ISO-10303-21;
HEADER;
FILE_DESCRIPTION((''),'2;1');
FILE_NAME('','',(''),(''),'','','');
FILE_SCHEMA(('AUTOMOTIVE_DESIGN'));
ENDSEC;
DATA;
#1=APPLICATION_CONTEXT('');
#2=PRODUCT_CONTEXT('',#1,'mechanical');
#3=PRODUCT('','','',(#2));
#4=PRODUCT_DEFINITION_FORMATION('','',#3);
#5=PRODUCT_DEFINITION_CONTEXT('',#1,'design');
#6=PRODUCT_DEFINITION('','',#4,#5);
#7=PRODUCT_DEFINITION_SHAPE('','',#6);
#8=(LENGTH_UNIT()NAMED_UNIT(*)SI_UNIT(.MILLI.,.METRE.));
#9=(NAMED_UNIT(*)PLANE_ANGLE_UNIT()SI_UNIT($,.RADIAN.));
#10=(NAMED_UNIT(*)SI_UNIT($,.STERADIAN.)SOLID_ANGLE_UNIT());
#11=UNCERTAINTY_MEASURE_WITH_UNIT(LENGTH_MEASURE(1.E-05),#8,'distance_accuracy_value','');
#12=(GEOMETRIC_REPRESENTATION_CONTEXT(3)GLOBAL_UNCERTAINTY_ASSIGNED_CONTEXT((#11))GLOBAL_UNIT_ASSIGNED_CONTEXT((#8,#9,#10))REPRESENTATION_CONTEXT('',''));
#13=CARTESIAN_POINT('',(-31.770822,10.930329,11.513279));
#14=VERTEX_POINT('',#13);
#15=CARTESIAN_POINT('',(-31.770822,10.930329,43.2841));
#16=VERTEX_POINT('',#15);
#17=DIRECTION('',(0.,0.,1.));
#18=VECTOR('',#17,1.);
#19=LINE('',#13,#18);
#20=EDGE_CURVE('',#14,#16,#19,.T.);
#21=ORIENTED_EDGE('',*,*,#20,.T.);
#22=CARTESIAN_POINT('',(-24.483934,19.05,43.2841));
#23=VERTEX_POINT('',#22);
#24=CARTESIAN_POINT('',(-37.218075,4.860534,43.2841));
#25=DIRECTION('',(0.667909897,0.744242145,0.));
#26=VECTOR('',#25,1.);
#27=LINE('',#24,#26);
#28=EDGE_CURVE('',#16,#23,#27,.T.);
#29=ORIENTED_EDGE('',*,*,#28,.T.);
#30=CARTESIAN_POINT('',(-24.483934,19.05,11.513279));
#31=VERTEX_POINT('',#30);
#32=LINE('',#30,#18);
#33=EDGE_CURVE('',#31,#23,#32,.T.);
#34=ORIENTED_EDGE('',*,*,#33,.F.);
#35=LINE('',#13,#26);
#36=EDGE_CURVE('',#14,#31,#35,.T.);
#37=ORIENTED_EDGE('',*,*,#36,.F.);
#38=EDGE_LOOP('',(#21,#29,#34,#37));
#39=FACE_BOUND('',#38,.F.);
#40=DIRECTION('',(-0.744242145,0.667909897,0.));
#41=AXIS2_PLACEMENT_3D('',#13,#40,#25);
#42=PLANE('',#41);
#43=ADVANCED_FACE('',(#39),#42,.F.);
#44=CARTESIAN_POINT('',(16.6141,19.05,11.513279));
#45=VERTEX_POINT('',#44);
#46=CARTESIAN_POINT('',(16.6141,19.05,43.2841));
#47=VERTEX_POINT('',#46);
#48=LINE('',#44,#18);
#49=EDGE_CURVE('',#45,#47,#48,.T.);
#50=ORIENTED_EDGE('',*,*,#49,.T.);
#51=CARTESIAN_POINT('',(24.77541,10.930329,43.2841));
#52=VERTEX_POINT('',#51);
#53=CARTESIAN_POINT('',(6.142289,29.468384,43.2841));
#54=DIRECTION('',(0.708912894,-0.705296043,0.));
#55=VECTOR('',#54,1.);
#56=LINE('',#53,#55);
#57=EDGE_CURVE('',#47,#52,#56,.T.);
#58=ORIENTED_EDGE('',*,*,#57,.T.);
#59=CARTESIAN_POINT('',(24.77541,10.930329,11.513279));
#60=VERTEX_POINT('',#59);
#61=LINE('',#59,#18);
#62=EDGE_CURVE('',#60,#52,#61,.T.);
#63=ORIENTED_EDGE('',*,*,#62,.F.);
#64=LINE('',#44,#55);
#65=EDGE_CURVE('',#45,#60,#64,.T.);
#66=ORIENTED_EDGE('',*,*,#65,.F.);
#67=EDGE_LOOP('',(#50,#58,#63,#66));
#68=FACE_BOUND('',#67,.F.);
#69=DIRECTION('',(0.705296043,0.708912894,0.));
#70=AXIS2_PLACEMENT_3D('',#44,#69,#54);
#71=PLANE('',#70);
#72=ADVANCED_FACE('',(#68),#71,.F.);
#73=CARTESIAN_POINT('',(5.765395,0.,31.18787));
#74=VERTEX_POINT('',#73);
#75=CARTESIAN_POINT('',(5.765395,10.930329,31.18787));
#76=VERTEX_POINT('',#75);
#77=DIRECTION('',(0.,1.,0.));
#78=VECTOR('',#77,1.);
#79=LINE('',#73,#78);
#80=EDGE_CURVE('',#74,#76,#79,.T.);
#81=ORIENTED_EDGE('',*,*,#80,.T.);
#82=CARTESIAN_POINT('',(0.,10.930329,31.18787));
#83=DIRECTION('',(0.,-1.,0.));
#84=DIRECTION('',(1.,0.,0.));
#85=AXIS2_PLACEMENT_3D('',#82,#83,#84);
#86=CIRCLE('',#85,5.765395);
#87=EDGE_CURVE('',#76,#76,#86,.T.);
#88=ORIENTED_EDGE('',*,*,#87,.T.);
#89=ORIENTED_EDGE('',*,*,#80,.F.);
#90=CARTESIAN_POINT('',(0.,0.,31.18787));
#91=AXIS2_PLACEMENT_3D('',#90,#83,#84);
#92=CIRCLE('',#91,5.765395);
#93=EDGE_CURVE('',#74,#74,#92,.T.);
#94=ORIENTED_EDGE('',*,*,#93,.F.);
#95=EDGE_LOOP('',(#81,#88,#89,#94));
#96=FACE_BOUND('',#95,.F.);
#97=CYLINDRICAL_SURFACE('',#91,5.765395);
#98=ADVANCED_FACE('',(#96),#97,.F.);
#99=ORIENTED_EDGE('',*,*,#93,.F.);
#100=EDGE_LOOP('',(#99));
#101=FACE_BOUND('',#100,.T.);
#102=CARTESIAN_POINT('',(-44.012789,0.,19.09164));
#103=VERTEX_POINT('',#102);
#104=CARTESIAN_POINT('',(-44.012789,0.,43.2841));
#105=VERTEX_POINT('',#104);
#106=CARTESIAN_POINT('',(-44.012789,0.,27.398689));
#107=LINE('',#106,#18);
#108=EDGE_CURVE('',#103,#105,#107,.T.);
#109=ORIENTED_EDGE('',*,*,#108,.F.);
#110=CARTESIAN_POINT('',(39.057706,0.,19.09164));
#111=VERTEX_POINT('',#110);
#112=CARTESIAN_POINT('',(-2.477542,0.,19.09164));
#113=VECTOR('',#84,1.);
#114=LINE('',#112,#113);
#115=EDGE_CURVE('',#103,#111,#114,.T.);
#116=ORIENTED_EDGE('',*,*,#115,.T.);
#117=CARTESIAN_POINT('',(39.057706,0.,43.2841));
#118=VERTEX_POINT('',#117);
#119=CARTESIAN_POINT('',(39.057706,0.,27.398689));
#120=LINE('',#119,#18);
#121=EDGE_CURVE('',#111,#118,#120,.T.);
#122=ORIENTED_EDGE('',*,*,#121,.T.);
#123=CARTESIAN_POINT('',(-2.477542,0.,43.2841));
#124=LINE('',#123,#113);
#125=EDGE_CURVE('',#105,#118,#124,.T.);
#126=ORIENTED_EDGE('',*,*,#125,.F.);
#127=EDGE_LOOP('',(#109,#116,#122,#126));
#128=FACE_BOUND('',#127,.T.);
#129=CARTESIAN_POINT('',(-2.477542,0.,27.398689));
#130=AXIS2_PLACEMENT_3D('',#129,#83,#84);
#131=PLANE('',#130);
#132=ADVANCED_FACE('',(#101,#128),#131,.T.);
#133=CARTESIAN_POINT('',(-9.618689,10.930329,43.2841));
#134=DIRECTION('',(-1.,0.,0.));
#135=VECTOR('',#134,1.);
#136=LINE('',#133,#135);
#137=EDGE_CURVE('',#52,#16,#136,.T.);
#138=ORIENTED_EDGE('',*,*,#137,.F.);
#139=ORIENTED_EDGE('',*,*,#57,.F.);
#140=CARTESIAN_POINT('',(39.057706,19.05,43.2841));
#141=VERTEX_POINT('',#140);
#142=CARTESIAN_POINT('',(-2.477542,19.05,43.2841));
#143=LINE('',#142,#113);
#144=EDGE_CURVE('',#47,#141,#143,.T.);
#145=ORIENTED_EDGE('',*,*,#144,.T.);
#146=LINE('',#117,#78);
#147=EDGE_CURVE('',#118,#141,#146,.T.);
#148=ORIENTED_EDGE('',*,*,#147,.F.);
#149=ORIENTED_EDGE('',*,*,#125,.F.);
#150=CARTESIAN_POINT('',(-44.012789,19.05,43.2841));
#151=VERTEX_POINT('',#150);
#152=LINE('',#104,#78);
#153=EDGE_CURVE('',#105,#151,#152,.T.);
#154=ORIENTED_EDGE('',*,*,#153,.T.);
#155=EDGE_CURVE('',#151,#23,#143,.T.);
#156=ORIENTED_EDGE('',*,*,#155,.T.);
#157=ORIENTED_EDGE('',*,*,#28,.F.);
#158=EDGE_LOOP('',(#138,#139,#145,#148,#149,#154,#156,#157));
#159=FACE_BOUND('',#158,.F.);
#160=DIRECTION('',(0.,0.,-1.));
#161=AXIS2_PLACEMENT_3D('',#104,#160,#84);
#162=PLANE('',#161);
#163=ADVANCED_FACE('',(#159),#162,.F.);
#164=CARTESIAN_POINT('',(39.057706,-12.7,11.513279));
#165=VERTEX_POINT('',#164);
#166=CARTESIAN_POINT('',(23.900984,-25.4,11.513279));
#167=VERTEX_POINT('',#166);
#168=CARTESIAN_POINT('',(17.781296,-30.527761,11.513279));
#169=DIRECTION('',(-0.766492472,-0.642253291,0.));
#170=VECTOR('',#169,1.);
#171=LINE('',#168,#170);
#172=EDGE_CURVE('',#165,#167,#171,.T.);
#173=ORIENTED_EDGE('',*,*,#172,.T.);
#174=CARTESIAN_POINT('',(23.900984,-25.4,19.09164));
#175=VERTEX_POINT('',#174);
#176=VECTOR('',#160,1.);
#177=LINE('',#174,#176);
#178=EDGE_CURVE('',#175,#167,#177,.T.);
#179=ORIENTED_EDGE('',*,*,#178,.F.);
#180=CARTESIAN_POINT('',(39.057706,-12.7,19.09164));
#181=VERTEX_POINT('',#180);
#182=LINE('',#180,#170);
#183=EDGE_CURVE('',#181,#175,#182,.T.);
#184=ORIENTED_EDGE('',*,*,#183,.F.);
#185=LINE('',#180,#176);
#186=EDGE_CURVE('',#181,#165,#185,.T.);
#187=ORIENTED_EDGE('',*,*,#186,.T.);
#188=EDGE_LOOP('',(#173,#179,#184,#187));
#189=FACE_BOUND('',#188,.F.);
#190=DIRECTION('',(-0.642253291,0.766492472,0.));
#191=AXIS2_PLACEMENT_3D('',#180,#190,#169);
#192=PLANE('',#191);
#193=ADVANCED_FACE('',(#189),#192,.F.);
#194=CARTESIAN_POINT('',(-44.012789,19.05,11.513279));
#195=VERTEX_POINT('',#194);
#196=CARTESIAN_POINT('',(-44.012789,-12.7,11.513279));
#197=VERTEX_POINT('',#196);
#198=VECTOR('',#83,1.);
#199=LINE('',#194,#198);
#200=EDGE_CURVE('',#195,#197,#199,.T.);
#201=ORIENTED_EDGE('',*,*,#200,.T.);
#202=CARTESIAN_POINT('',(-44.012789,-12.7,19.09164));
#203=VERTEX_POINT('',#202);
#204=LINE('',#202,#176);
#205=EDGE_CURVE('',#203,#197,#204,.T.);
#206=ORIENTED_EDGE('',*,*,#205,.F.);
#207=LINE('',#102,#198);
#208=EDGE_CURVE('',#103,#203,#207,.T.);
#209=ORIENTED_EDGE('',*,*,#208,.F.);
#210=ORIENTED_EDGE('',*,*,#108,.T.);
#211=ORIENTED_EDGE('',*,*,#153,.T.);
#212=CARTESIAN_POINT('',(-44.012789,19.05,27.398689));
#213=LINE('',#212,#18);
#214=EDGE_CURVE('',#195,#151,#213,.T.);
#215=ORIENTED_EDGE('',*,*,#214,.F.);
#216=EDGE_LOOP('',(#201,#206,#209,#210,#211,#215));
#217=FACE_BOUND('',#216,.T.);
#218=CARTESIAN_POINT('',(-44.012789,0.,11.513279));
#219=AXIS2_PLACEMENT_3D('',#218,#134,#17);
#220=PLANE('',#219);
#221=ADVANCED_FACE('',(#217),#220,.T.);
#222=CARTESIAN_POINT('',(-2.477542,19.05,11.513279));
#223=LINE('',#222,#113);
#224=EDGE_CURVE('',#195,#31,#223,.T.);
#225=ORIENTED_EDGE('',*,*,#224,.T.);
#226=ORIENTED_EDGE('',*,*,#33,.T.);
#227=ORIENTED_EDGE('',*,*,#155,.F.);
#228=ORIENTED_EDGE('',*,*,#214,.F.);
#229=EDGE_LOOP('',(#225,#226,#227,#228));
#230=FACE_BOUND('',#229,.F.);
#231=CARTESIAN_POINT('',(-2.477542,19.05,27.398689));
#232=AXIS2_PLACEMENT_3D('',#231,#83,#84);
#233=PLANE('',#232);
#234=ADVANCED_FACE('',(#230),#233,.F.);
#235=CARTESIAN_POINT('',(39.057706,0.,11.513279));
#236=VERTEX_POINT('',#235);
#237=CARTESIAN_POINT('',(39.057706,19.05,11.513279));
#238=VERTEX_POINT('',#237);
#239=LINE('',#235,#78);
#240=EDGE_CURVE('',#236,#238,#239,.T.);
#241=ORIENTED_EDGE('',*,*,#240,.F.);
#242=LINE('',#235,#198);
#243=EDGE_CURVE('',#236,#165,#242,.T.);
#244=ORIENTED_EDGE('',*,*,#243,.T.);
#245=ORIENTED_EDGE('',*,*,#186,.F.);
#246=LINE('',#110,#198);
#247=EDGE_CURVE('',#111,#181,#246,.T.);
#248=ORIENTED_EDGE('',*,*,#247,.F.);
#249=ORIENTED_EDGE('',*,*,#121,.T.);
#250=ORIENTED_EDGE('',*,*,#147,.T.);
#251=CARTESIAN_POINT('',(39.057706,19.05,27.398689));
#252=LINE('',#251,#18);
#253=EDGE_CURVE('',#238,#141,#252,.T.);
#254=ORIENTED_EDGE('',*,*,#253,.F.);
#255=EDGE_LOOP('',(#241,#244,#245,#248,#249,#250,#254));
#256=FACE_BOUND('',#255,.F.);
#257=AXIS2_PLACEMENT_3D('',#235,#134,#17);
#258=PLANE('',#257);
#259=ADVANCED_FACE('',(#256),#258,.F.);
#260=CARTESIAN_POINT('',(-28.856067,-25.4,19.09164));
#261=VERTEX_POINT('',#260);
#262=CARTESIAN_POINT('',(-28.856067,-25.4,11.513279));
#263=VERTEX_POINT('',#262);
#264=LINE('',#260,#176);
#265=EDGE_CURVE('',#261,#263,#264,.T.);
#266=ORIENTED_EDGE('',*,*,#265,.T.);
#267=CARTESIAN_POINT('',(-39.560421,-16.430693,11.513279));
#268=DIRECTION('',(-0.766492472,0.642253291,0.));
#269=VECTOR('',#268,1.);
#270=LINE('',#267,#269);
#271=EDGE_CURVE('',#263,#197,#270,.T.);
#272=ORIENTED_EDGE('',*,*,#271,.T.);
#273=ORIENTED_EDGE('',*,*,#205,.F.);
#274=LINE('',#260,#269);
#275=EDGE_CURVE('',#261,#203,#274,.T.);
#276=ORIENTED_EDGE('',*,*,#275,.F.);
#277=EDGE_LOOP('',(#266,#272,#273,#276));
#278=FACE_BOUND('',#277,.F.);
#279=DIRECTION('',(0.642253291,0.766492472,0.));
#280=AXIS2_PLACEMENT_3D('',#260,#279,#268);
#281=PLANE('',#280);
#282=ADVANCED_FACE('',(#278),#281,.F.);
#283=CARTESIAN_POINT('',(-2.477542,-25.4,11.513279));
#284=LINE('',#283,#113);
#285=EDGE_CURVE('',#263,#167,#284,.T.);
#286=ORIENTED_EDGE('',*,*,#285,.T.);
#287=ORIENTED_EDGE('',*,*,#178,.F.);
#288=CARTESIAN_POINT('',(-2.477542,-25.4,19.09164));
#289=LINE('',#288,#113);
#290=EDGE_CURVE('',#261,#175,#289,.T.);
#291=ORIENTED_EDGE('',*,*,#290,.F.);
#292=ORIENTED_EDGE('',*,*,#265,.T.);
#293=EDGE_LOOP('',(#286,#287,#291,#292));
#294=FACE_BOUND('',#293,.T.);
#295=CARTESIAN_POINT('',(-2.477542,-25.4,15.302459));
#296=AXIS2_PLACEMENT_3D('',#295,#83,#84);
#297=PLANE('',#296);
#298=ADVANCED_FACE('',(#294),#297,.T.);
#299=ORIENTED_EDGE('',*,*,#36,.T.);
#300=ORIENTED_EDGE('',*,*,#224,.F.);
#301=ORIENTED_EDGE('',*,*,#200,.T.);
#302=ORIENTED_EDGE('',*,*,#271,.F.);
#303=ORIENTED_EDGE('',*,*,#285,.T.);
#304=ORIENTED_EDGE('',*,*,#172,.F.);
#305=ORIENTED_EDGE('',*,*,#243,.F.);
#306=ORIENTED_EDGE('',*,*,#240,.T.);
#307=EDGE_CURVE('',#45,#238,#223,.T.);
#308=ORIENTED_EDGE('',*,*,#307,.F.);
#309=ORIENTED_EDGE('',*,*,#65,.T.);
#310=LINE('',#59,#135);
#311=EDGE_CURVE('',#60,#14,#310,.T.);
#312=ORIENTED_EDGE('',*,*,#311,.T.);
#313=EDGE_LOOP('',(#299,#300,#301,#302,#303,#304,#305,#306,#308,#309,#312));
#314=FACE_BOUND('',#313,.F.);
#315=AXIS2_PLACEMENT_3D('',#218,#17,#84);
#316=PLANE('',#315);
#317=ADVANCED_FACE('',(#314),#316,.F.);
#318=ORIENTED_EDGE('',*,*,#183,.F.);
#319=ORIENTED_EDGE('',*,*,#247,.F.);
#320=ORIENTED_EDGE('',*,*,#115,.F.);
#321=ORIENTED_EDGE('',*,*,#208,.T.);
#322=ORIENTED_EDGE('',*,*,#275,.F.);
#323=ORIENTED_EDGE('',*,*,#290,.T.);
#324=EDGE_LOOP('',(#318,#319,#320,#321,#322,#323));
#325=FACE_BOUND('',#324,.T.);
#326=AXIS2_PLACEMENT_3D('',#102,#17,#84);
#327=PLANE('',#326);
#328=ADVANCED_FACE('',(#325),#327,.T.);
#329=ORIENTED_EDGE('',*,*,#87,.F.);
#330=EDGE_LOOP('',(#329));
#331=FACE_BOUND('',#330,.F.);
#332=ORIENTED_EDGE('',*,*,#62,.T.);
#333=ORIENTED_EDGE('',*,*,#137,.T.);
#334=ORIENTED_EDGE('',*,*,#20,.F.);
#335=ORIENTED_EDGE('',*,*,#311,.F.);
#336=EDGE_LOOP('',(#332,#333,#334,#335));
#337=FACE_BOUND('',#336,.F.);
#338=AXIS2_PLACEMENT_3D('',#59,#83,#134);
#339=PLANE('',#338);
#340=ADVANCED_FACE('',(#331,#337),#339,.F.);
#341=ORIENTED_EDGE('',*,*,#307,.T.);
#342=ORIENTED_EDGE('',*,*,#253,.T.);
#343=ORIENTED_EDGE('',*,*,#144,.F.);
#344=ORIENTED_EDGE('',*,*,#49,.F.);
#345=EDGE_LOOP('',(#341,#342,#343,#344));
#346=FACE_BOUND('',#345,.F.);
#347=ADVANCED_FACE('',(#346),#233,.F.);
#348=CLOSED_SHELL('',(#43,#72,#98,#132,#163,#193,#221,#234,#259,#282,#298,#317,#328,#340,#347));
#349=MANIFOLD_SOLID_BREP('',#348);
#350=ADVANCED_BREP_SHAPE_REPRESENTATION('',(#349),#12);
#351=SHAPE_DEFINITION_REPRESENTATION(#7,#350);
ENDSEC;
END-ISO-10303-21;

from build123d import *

# Parameters (mm, degrees)
F0_W     = 83.0704942346
F0_H     = 31.7708207294
F1_DEPTH = 19.05
F3_DEPTH = 35.052
F4_W     = 83.0704942346
F4_H     = 7.5783608481
F5_DEPTH = 25.4
F7_DEPTH = 25.4
F8_R     = 5.7653950386
F9_DEPTH = 25.4


with BuildPart() as f1:
    # F0 (on Front) → F1 (new body)
    with BuildSketch(Plane.XZ):
        with Locations((-2.4775415659, 27.3986891843)):
            Rectangle(F0_W, F0_H)
    extrude(amount=-F1_DEPTH)

    # F2 (on face) → F3 (cut)
    with BuildSketch(Plane(origin=(0, 0, 11.5132788196), x_dir=(1, 0, 0), z_dir=(0, 0, -1))):
        Polygon((-31.7708216608, -10.9303286299), (-24.4839340448, -19.05), (16.6140999645, -19.05), (24.775410071, -10.9303286299), align=None)
    extrude(amount=-F3_DEPTH, mode=Mode.SUBTRACT)

    # F4 (on face) → F5 (join)
    with BuildSketch(Plane.XZ):
        with Locations((-2.4775415659, 15.3024592437)):
            Rectangle(F4_W, F4_H)
    extrude(amount=F5_DEPTH)

    # F6 (on face) → F7 (cut)
    with BuildSketch(Plane.XY.offset(19.0916396677)):
        Polygon((39.0577055514, -25.4), (39.0577055514, -12.7), (23.9009838551, -25.4), align=None)
        Polygon((-44.0127886832, -25.4), (-28.8560669869, -25.4), (-44.0127886832, -12.7), align=None)
    extrude(amount=-F7_DEPTH, mode=Mode.SUBTRACT)

    # F8 (on face) → F9 (cut)
    with BuildSketch(Plane.XZ):
        with Locations((0, 31.1878696084)):
            Circle(F8_R)
    extrude(amount=-F9_DEPTH, mode=Mode.SUBTRACT)


solid = f1.part
